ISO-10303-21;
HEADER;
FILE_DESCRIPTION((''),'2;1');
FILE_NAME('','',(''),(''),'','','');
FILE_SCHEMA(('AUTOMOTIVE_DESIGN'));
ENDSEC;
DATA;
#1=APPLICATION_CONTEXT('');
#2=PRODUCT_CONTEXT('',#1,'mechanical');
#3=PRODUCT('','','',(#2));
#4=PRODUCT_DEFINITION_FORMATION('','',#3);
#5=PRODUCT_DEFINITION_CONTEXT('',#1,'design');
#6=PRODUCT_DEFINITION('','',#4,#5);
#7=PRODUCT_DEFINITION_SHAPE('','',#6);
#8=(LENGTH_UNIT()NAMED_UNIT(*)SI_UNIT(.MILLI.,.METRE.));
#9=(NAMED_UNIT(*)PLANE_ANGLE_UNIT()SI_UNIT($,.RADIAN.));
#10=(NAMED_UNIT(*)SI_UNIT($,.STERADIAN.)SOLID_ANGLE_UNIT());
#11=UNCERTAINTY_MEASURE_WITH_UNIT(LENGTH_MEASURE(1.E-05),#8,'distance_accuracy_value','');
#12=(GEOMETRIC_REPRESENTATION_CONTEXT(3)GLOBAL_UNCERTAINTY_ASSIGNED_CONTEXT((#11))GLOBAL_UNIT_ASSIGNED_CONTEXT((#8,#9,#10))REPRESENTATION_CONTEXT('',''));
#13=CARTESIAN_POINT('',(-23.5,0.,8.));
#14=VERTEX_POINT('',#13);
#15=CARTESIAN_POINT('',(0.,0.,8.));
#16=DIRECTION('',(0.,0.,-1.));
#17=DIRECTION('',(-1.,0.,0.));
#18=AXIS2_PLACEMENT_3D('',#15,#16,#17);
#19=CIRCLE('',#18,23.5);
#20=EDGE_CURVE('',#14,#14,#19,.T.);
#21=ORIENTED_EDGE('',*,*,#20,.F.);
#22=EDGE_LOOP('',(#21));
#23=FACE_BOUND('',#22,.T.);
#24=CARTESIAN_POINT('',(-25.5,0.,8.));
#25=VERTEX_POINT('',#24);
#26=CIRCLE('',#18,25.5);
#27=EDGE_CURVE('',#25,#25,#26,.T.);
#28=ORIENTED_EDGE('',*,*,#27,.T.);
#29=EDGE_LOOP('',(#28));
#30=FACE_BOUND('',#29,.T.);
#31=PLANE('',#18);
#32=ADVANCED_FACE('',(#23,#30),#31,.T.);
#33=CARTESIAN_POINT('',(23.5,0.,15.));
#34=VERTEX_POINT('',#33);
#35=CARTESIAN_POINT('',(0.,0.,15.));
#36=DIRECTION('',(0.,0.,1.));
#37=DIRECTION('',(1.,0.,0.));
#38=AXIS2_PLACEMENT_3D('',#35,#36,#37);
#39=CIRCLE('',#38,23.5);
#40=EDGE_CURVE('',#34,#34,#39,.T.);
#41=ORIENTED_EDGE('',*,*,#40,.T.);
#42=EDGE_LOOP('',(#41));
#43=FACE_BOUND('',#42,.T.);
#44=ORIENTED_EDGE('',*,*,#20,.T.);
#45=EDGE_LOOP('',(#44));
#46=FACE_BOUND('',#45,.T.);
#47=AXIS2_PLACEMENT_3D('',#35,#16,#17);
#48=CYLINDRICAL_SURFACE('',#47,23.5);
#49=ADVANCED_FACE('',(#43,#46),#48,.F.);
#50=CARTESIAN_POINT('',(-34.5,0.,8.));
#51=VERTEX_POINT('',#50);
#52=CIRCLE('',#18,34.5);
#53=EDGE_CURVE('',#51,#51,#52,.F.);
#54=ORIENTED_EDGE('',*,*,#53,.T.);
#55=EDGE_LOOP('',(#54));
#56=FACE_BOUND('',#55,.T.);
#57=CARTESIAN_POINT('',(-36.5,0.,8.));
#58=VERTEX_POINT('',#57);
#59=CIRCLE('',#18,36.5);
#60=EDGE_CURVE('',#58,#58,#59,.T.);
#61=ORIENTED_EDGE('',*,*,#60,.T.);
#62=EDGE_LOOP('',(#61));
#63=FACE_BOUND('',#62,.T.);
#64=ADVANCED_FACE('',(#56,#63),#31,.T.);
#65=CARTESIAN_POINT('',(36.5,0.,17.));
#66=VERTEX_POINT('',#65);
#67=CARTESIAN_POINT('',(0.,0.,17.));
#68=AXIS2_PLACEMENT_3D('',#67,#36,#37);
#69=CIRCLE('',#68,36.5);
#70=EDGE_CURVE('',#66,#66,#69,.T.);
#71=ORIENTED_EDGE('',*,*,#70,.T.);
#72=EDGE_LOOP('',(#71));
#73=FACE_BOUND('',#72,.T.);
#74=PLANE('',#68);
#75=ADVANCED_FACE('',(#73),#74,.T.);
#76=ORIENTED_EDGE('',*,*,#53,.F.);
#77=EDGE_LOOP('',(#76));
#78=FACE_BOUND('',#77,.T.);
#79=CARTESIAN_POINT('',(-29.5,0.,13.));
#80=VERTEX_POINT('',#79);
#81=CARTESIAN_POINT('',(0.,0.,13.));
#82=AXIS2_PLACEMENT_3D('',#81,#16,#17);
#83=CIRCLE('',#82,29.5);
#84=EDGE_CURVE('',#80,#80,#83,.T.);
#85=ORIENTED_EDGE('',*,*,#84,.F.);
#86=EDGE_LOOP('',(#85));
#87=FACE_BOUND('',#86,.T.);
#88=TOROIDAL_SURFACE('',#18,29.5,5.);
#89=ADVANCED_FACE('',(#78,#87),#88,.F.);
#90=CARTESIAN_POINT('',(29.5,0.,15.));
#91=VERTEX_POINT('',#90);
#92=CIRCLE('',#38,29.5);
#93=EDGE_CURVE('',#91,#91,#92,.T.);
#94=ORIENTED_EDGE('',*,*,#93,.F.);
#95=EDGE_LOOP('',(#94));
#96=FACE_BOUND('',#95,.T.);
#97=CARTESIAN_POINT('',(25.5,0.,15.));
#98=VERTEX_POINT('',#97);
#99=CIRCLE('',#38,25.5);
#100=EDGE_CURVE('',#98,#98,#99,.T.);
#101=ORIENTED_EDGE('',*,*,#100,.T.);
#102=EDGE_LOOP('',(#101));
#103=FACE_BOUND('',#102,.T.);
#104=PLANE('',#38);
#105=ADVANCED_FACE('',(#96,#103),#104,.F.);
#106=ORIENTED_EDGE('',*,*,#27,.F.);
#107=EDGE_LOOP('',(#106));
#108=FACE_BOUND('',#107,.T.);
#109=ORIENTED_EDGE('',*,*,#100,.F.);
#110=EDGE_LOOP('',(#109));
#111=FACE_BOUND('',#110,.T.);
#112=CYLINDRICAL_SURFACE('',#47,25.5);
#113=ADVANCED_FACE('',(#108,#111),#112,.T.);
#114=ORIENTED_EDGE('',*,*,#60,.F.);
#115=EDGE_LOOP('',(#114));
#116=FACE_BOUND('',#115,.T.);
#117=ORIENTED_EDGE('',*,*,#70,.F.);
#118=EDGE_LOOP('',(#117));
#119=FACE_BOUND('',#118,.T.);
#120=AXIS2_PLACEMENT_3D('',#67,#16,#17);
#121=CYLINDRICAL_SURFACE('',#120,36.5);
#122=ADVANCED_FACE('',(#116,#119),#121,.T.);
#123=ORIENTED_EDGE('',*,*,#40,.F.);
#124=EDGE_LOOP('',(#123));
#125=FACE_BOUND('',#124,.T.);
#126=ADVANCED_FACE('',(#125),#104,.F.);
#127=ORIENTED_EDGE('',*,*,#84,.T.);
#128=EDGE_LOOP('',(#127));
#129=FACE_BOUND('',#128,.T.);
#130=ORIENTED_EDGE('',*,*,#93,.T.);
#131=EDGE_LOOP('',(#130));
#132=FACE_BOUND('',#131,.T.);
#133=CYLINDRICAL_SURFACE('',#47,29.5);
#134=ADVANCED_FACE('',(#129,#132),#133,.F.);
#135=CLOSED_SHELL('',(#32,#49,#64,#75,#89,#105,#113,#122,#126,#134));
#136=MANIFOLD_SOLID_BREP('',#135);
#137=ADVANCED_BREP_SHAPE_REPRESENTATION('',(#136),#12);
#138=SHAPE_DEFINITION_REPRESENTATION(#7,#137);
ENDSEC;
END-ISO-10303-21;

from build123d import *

# Parameters (mm, degrees)
SKETCH_1_R          = 25.5
SKETCH_1_R_2        = 23.5
EXTRUDE_2_DEPTH     = 15
SKETCH_3_R          = 36.5
SKETCH_3_R_2        = 29.5
EXTRUDE_3_DEPTH     = 15
SKETCH_6_R          = 47.852289075
CUT_EXTRUDE_1_DEPTH = 8
SKETCH_9_R          = 36.5
EXTRUDE_5_DEPTH     = 2


with BuildPart() as part:
    # 草图1 → 凸台-拉伸2 (new body)
    with BuildSketch(Plane.XY):
        Circle(SKETCH_1_R)
        Circle(SKETCH_1_R_2, mode=Mode.SUBTRACT)
    extrude(amount=EXTRUDE_2_DEPTH)


with BuildPart() as body_2:
    # 草图3 → 凸台-拉伸3 (new body)
    with BuildSketch(Plane.XY):
        Circle(SKETCH_3_R)
        Circle(SKETCH_3_R_2, mode=Mode.SUBTRACT)
    extrude(amount=EXTRUDE_3_DEPTH)

    # 草图5 → 切除-旋转2 (revolve, cut)
    with BuildSketch(Plane(origin=(0, 0, 0), x_dir=(1, 0, 0), z_dir=(0, 1, 0))):
        with BuildLine():
            Line((-29.5, -3), (-29.5, -13))
            ThreePointArc((-29.5, -13), (-34.5, -8), (-29.5, -3))
        make_face()
    revolve(axis=Axis((0, 0, 0), (0, 0, 1)), mode=Mode.SUBTRACT)


with BuildPart() as cut_extrude_1_tool:
    # 草图6 → 切除-拉伸1 (new body)
    with BuildSketch(Plane(origin=(0, 0, 0), x_dir=(-1, 0, 0), z_dir=(0, 0, -1))):
        Circle(SKETCH_6_R)
    extrude(amount=-CUT_EXTRUDE_1_DEPTH)


with BuildPart() as part_1:
    add(part.part)

    # 切除-拉伸1: cut by cut_extrude_1_tool
    add(cut_extrude_1_tool.part, mode=Mode.SUBTRACT)



with BuildPart() as body_2_1:
    add(body_2.part)

    # 切除-拉伸1: cut by cut_extrude_1_tool
    add(cut_extrude_1_tool.part, mode=Mode.SUBTRACT)


with BuildPart() as part_2:
    add(part_1.part)

    add(body_2_1.part)  # 凸台-拉伸5 merges body 2
    # 草图9 → 凸台-拉伸5 (add)
    with BuildSketch(Plane.XY.offset(15)):
        with Locations(Location((0, 0, 0), (0, 0, 180))):
            Circle(SKETCH_9_R)
    extrude(amount=EXTRUDE_5_DEPTH)


solid = part_2.part
